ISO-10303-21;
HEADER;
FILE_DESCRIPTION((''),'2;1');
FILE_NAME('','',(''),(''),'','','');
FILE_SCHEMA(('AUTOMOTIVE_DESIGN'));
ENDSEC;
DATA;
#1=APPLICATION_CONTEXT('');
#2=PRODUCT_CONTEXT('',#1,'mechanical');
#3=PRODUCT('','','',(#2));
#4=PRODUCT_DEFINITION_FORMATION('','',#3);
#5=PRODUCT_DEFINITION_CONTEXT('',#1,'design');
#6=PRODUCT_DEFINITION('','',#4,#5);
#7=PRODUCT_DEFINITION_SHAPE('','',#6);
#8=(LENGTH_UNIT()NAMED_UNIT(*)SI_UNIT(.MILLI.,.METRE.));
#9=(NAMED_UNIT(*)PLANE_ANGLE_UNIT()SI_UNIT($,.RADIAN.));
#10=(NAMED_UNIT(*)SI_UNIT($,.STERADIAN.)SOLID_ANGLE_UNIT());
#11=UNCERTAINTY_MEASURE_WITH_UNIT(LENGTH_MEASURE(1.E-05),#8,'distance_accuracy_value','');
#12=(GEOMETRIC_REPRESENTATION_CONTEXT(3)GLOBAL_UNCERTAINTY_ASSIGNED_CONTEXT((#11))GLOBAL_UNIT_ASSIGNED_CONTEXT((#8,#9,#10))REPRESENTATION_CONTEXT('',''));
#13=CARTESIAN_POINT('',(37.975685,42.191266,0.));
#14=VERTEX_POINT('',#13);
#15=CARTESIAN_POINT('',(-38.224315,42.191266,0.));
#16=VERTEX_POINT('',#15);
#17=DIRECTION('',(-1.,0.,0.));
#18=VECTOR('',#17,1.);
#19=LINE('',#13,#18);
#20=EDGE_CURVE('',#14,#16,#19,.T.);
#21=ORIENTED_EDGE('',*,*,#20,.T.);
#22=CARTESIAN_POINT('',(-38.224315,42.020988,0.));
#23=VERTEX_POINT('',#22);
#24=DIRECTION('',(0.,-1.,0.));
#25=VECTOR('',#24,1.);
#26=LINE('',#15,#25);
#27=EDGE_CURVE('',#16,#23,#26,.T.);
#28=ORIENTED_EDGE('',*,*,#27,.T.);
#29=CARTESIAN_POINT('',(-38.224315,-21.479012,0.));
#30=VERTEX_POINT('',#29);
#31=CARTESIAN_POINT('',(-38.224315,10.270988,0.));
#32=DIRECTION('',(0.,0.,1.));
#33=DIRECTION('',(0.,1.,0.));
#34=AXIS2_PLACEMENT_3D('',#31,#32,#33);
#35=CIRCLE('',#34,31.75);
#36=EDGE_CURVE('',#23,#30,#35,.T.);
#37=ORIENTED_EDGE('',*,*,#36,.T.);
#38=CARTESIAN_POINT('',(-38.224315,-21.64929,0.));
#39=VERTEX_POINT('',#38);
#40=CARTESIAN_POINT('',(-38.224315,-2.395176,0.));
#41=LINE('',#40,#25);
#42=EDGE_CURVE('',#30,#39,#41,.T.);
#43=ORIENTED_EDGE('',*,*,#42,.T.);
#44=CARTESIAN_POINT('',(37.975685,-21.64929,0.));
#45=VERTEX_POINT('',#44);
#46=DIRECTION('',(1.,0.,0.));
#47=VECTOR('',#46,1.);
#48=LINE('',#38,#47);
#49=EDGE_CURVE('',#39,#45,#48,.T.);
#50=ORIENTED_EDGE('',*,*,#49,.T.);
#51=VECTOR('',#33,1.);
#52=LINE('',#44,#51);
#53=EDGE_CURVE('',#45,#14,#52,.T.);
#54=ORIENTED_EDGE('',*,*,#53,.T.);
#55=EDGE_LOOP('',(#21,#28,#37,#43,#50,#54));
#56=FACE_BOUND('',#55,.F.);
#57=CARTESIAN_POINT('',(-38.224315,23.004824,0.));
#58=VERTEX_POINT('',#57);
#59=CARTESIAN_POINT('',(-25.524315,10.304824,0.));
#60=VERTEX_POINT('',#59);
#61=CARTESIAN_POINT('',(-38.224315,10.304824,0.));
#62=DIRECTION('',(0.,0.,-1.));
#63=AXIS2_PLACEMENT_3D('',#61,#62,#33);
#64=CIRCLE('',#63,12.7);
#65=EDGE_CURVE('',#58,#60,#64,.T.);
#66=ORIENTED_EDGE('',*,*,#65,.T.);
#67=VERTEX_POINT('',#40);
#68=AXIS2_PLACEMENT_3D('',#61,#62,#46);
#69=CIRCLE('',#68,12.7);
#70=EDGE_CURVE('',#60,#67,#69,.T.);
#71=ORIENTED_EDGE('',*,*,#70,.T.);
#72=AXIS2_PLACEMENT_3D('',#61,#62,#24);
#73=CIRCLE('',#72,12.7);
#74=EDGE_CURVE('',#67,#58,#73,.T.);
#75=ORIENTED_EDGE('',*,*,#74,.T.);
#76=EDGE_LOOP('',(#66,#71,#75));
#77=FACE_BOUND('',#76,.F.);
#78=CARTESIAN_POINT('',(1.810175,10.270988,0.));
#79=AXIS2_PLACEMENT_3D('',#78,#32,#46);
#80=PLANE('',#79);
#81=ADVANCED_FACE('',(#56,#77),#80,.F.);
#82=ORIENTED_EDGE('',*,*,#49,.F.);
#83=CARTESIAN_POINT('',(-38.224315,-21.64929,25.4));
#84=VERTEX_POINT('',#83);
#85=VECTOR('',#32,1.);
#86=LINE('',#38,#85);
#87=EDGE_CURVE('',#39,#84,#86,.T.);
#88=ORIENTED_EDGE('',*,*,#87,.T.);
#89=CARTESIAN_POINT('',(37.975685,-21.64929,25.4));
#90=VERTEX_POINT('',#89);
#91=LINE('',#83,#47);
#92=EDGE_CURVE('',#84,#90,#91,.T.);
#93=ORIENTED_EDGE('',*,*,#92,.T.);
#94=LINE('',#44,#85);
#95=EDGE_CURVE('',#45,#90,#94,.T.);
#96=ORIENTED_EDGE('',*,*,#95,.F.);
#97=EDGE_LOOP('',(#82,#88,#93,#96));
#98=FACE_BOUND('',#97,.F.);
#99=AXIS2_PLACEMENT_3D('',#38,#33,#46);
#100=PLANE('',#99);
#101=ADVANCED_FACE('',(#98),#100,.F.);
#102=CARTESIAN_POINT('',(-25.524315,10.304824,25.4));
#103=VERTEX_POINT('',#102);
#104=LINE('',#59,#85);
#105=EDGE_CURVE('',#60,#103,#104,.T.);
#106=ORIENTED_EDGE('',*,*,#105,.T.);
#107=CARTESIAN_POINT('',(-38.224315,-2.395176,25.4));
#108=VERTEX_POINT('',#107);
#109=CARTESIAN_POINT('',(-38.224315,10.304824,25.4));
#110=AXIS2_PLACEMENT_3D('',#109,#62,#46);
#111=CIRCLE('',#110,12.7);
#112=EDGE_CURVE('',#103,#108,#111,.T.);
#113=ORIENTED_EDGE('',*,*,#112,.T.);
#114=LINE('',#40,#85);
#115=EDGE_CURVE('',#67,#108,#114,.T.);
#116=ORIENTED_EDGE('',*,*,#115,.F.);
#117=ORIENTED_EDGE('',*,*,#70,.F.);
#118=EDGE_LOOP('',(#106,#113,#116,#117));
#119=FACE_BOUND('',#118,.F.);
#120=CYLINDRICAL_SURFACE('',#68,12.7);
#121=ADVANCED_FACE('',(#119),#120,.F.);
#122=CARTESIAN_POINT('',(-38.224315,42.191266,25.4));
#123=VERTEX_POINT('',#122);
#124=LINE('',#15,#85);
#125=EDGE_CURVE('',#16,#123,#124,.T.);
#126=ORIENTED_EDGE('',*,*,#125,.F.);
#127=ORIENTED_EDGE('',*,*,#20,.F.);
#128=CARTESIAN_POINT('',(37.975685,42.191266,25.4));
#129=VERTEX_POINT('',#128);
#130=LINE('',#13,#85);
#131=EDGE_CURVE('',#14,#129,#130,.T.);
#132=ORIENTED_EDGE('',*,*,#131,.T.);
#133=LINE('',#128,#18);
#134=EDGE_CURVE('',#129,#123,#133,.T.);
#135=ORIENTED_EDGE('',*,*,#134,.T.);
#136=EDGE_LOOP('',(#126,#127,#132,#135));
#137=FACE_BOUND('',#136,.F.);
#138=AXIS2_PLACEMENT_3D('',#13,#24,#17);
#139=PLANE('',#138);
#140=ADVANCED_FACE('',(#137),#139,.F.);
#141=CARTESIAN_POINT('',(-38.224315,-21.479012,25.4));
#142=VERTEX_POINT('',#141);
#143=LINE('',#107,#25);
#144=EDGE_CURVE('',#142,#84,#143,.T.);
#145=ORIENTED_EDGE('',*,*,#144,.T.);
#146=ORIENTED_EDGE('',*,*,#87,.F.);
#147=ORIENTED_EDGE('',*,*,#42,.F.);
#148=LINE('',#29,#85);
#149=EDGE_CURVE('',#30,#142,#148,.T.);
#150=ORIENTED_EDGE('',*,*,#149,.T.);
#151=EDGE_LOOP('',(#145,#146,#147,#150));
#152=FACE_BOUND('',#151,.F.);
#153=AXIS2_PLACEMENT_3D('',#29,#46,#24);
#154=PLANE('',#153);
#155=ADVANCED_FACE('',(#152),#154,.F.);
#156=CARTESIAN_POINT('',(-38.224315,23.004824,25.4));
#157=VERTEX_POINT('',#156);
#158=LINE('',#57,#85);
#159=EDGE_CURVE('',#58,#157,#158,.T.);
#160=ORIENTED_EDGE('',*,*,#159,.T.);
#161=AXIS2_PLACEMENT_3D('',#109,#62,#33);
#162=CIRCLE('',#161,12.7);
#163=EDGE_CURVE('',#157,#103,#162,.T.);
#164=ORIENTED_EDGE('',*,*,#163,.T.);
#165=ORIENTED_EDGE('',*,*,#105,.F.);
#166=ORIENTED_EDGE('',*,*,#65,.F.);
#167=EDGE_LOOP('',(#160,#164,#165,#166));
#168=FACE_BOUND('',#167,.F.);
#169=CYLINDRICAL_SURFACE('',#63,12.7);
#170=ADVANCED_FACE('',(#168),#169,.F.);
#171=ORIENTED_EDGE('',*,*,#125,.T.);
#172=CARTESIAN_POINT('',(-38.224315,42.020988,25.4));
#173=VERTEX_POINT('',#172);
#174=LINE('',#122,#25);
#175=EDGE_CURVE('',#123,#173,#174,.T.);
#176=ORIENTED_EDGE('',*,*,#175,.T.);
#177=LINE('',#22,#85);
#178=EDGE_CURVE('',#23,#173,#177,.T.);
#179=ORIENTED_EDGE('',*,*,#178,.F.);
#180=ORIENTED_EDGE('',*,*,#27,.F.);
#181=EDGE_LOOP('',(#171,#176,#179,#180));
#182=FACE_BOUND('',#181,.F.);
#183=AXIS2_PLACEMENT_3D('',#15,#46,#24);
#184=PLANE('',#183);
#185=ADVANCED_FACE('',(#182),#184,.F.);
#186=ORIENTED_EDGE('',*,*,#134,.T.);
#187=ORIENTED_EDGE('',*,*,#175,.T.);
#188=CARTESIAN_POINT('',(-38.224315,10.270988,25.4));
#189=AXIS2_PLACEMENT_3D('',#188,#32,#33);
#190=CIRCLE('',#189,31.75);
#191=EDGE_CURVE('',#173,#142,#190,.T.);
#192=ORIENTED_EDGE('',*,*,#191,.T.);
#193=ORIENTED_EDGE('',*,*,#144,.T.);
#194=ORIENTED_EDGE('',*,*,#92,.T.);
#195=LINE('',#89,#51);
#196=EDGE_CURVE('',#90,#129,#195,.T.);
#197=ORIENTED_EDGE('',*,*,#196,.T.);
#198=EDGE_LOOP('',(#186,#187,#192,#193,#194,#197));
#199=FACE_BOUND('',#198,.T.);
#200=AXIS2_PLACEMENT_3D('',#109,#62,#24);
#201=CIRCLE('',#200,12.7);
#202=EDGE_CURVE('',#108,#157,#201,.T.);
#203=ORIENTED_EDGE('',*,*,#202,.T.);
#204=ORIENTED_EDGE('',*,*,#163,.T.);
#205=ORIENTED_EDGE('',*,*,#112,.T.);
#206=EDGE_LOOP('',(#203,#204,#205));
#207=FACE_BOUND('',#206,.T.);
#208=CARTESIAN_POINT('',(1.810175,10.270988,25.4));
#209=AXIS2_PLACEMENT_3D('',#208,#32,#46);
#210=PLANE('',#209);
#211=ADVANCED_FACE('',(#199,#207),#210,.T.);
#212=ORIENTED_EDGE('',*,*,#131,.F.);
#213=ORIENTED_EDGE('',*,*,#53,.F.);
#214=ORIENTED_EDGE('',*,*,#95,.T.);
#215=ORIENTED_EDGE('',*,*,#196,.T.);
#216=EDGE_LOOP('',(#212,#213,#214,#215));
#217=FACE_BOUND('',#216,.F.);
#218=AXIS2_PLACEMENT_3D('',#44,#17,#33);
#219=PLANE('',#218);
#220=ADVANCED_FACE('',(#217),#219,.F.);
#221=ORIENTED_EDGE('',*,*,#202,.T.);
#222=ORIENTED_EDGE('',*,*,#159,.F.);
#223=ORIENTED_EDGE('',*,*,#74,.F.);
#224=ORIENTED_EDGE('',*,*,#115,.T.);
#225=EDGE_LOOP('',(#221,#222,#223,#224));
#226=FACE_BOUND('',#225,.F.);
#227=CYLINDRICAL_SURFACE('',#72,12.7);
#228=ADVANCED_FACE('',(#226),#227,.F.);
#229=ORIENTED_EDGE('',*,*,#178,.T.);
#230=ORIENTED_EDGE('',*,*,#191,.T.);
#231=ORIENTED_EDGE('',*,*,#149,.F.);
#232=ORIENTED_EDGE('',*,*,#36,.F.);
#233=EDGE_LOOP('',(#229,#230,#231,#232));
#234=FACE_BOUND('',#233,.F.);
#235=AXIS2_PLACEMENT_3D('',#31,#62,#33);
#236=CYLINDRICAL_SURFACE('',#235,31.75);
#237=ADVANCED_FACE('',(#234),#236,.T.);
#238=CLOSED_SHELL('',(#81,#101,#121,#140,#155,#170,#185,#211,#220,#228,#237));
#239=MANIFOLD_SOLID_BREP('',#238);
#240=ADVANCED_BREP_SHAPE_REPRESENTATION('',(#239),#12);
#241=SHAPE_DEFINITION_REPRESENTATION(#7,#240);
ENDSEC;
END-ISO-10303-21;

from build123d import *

# Parameters (mm, degrees)
F1_DEPTH = 25.4


with BuildPart() as f1:
    # F0 (on Top) → F1 (new body)
    with BuildSketch(Plane.XY):
        with BuildLine():
            Line((-38.2243149141, -21.479011897), (-38.2243149141, -21.6492902637))
            Line((-38.2243149141, -21.6492902637), (37.9756850859, -21.6492902637))
            Line((37.9756850859, -21.6492902637), (37.9756850859, 42.1912664697))
            Line((37.9756850859, 42.1912664697), (-38.2243149141, 42.1912664697))
            Line((-38.2243149141, 42.1912664697), (-38.2243149141, 42.020988103))
            ThreePointArc((-38.2243149141, 42.020988103), (-15.7736746115, 32.7216284057), (-6.4743149141, 10.270988103))
            ThreePointArc((-6.4743149141, 10.270988103), (-15.7736746115, -12.1796521997), (-38.2243149141, -21.479011897))
        make_face()
        with BuildLine():
            Line((-38.2243149141, -2.3951760908), (-38.2243149141, -21.479011897))
            ThreePointArc((-38.2243149141, -21.479011897), (-15.7736746115, -12.1796521997), (-6.4743149141, 10.270988103))
            ThreePointArc((-6.4743149141, 10.270988103), (-15.7736746115, 32.7216284057), (-38.2243149141, 42.020988103))
            Line((-38.2243149141, 42.020988103), (-38.2243149141, 23.0048239092))
            ThreePointArc((-38.2243149141, 23.0048239092), (-29.2440587931, 19.2850800303), (-25.5243149141, 10.3048239092))
            ThreePointArc((-25.5243149141, 10.3048239092), (-29.2440587931, 1.3245677882), (-38.2243149141, -2.3951760908))
        make_face()
        with BuildLine():
            ThreePointArc((-38.2243149141, 42.020988103), (-69.9743149141, 10.270988103), (-38.2243149141, -21.479011897))
            Line((-38.2243149141, -21.479011897), (-38.2243149141, -2.3951760908))
            ThreePointArc((-38.2243149141, -2.3951760908), (-50.9243149141, 10.3048239092), (-38.2243149141, 23.0048239092))
            Line((-38.2243149141, 23.0048239092), (-38.2243149141, 42.020988103))
        make_face()
    extrude(amount=F1_DEPTH)


solid = f1.part
